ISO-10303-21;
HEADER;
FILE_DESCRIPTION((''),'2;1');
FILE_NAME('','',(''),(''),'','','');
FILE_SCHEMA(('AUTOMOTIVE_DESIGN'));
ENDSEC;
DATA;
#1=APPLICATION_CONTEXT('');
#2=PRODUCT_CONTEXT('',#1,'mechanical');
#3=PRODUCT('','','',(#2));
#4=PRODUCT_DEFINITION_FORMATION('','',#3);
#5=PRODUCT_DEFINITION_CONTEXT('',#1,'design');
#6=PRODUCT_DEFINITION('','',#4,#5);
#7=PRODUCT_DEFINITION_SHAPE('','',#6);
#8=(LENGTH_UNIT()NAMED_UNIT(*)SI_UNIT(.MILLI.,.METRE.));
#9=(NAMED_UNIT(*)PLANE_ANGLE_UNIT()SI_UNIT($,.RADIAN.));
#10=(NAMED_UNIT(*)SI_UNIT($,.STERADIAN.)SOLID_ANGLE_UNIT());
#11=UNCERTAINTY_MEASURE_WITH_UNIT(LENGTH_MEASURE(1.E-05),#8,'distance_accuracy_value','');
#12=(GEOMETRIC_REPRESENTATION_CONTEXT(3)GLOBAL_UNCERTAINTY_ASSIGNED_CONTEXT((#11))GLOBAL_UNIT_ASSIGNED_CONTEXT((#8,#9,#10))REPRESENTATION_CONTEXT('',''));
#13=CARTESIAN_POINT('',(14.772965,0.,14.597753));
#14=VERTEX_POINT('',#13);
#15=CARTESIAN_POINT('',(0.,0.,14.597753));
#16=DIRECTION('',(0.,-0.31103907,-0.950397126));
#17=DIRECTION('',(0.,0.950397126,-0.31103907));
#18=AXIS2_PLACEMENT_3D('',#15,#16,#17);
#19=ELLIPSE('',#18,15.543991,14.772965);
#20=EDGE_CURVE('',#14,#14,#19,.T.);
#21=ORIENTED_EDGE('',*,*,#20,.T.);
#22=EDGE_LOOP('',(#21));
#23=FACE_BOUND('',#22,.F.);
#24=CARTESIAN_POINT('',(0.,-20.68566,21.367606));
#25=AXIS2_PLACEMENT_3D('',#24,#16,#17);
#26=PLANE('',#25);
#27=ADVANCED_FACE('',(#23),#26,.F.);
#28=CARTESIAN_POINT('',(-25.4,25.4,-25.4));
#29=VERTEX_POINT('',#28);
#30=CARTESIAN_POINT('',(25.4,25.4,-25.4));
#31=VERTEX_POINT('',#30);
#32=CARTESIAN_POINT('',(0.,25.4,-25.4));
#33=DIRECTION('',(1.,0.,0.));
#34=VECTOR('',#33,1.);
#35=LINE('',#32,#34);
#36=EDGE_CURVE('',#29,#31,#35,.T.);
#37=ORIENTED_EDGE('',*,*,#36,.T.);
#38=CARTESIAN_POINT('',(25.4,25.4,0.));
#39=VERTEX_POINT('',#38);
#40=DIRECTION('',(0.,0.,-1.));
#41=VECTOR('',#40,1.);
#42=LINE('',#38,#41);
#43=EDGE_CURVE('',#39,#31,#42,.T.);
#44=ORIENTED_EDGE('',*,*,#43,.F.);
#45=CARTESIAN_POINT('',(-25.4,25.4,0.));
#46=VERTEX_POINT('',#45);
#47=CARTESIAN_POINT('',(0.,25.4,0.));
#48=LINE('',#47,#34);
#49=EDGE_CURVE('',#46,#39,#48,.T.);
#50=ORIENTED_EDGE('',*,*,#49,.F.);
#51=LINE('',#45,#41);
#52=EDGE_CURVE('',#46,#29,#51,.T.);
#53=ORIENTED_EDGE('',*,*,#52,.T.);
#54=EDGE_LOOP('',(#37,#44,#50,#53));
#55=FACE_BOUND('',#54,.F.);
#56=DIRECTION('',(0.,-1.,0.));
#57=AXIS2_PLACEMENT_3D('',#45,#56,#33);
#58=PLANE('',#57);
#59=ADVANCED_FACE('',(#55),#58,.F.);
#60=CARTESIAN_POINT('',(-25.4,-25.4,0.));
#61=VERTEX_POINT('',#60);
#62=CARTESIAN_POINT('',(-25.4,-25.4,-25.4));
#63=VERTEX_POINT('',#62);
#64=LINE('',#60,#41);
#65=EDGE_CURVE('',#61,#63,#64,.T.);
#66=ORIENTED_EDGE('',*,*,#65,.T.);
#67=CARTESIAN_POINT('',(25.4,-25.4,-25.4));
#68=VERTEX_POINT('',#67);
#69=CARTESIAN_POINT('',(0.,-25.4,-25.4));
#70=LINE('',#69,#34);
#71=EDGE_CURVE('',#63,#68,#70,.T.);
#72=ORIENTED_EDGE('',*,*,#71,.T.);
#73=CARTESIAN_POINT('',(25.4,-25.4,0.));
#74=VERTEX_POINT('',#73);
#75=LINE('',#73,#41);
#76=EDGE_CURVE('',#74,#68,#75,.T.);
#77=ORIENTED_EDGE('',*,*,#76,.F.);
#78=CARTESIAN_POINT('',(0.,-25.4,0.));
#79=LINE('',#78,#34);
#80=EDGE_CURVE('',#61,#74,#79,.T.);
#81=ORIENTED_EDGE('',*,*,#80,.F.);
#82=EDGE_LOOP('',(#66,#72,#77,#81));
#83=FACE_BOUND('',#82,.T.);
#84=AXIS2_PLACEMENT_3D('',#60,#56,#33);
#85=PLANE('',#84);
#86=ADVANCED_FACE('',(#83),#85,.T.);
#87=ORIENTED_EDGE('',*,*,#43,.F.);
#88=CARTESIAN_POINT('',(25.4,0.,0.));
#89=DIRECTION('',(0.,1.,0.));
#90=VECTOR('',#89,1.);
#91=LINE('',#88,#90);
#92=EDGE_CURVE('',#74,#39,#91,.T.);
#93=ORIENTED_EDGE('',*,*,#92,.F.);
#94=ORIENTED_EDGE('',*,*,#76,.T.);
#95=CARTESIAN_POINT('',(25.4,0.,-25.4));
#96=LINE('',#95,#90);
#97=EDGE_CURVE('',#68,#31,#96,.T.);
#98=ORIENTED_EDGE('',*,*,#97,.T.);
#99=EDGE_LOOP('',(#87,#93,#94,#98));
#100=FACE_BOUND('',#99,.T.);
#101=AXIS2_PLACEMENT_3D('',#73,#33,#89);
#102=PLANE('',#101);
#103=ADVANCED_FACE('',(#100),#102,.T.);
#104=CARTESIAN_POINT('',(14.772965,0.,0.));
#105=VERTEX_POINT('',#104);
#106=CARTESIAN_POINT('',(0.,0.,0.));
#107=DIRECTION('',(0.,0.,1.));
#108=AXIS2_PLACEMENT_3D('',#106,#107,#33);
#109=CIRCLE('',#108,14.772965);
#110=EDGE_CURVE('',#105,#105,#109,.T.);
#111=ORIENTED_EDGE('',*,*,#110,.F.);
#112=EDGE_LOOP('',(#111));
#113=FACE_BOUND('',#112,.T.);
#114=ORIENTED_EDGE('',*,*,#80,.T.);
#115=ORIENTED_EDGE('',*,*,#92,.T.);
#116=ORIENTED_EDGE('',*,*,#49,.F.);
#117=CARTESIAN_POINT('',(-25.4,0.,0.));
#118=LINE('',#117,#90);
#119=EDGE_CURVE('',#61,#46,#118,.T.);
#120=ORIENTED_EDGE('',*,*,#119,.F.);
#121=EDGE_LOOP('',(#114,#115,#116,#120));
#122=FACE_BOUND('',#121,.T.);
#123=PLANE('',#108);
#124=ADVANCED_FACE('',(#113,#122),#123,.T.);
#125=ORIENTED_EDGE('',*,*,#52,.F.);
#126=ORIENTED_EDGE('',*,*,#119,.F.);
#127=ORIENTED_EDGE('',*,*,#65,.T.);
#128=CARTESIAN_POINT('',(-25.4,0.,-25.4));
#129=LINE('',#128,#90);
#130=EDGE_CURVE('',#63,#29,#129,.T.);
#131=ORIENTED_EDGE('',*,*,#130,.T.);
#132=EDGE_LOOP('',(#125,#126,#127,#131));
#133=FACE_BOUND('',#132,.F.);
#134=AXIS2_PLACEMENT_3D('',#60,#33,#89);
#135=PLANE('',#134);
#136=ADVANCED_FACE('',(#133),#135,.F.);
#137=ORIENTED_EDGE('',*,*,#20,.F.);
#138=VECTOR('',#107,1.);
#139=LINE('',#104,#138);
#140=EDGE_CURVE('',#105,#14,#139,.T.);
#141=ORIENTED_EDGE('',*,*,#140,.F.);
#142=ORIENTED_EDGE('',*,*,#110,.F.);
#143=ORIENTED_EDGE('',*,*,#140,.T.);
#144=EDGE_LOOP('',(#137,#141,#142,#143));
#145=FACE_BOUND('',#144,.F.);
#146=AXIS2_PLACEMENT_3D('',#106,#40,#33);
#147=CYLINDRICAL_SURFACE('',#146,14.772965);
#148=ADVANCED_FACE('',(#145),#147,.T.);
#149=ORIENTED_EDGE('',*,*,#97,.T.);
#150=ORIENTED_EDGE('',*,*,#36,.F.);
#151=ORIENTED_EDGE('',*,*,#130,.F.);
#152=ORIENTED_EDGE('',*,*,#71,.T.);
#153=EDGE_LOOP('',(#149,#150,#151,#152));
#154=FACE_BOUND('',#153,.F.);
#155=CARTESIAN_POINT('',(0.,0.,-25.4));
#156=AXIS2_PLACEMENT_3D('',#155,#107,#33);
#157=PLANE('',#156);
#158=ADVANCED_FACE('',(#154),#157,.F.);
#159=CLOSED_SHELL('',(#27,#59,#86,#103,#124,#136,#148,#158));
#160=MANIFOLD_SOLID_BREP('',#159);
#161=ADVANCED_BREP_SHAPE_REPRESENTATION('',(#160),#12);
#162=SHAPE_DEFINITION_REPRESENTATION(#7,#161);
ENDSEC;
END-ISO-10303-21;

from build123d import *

# Parameters (mm, degrees)
F0_W     = 50.8
F0_H     = 50.8
F1_DEPTH = 25.4
F2_R     = 14.772964705
F3_DEPTH = 25.4
F5_DEPTH = 25.4


with BuildPart() as f1:
    # F0 (on Top) → F1 (new body)
    with BuildSketch(Plane.XY):
        Rectangle(F0_W, F0_H)
    extrude(amount=-F1_DEPTH)

    # F2 (on face) → F3 (join)
    with BuildSketch(Plane.XY):
        Circle(F2_R)
    extrude(amount=F3_DEPTH)

    # F4 (on Right) → F5 (cut, symmetric)
    with BuildSketch(Plane.YZ):
        Polygon((-22.9588039219, 40.4620580375), (-20.6856597215, 21.3676057756), (29.3236263096, 5.0009298138), (29.3236263096, 40.4620580375), align=None)
    extrude(amount=F5_DEPTH, both=True, mode=Mode.SUBTRACT)


solid = f1.part
